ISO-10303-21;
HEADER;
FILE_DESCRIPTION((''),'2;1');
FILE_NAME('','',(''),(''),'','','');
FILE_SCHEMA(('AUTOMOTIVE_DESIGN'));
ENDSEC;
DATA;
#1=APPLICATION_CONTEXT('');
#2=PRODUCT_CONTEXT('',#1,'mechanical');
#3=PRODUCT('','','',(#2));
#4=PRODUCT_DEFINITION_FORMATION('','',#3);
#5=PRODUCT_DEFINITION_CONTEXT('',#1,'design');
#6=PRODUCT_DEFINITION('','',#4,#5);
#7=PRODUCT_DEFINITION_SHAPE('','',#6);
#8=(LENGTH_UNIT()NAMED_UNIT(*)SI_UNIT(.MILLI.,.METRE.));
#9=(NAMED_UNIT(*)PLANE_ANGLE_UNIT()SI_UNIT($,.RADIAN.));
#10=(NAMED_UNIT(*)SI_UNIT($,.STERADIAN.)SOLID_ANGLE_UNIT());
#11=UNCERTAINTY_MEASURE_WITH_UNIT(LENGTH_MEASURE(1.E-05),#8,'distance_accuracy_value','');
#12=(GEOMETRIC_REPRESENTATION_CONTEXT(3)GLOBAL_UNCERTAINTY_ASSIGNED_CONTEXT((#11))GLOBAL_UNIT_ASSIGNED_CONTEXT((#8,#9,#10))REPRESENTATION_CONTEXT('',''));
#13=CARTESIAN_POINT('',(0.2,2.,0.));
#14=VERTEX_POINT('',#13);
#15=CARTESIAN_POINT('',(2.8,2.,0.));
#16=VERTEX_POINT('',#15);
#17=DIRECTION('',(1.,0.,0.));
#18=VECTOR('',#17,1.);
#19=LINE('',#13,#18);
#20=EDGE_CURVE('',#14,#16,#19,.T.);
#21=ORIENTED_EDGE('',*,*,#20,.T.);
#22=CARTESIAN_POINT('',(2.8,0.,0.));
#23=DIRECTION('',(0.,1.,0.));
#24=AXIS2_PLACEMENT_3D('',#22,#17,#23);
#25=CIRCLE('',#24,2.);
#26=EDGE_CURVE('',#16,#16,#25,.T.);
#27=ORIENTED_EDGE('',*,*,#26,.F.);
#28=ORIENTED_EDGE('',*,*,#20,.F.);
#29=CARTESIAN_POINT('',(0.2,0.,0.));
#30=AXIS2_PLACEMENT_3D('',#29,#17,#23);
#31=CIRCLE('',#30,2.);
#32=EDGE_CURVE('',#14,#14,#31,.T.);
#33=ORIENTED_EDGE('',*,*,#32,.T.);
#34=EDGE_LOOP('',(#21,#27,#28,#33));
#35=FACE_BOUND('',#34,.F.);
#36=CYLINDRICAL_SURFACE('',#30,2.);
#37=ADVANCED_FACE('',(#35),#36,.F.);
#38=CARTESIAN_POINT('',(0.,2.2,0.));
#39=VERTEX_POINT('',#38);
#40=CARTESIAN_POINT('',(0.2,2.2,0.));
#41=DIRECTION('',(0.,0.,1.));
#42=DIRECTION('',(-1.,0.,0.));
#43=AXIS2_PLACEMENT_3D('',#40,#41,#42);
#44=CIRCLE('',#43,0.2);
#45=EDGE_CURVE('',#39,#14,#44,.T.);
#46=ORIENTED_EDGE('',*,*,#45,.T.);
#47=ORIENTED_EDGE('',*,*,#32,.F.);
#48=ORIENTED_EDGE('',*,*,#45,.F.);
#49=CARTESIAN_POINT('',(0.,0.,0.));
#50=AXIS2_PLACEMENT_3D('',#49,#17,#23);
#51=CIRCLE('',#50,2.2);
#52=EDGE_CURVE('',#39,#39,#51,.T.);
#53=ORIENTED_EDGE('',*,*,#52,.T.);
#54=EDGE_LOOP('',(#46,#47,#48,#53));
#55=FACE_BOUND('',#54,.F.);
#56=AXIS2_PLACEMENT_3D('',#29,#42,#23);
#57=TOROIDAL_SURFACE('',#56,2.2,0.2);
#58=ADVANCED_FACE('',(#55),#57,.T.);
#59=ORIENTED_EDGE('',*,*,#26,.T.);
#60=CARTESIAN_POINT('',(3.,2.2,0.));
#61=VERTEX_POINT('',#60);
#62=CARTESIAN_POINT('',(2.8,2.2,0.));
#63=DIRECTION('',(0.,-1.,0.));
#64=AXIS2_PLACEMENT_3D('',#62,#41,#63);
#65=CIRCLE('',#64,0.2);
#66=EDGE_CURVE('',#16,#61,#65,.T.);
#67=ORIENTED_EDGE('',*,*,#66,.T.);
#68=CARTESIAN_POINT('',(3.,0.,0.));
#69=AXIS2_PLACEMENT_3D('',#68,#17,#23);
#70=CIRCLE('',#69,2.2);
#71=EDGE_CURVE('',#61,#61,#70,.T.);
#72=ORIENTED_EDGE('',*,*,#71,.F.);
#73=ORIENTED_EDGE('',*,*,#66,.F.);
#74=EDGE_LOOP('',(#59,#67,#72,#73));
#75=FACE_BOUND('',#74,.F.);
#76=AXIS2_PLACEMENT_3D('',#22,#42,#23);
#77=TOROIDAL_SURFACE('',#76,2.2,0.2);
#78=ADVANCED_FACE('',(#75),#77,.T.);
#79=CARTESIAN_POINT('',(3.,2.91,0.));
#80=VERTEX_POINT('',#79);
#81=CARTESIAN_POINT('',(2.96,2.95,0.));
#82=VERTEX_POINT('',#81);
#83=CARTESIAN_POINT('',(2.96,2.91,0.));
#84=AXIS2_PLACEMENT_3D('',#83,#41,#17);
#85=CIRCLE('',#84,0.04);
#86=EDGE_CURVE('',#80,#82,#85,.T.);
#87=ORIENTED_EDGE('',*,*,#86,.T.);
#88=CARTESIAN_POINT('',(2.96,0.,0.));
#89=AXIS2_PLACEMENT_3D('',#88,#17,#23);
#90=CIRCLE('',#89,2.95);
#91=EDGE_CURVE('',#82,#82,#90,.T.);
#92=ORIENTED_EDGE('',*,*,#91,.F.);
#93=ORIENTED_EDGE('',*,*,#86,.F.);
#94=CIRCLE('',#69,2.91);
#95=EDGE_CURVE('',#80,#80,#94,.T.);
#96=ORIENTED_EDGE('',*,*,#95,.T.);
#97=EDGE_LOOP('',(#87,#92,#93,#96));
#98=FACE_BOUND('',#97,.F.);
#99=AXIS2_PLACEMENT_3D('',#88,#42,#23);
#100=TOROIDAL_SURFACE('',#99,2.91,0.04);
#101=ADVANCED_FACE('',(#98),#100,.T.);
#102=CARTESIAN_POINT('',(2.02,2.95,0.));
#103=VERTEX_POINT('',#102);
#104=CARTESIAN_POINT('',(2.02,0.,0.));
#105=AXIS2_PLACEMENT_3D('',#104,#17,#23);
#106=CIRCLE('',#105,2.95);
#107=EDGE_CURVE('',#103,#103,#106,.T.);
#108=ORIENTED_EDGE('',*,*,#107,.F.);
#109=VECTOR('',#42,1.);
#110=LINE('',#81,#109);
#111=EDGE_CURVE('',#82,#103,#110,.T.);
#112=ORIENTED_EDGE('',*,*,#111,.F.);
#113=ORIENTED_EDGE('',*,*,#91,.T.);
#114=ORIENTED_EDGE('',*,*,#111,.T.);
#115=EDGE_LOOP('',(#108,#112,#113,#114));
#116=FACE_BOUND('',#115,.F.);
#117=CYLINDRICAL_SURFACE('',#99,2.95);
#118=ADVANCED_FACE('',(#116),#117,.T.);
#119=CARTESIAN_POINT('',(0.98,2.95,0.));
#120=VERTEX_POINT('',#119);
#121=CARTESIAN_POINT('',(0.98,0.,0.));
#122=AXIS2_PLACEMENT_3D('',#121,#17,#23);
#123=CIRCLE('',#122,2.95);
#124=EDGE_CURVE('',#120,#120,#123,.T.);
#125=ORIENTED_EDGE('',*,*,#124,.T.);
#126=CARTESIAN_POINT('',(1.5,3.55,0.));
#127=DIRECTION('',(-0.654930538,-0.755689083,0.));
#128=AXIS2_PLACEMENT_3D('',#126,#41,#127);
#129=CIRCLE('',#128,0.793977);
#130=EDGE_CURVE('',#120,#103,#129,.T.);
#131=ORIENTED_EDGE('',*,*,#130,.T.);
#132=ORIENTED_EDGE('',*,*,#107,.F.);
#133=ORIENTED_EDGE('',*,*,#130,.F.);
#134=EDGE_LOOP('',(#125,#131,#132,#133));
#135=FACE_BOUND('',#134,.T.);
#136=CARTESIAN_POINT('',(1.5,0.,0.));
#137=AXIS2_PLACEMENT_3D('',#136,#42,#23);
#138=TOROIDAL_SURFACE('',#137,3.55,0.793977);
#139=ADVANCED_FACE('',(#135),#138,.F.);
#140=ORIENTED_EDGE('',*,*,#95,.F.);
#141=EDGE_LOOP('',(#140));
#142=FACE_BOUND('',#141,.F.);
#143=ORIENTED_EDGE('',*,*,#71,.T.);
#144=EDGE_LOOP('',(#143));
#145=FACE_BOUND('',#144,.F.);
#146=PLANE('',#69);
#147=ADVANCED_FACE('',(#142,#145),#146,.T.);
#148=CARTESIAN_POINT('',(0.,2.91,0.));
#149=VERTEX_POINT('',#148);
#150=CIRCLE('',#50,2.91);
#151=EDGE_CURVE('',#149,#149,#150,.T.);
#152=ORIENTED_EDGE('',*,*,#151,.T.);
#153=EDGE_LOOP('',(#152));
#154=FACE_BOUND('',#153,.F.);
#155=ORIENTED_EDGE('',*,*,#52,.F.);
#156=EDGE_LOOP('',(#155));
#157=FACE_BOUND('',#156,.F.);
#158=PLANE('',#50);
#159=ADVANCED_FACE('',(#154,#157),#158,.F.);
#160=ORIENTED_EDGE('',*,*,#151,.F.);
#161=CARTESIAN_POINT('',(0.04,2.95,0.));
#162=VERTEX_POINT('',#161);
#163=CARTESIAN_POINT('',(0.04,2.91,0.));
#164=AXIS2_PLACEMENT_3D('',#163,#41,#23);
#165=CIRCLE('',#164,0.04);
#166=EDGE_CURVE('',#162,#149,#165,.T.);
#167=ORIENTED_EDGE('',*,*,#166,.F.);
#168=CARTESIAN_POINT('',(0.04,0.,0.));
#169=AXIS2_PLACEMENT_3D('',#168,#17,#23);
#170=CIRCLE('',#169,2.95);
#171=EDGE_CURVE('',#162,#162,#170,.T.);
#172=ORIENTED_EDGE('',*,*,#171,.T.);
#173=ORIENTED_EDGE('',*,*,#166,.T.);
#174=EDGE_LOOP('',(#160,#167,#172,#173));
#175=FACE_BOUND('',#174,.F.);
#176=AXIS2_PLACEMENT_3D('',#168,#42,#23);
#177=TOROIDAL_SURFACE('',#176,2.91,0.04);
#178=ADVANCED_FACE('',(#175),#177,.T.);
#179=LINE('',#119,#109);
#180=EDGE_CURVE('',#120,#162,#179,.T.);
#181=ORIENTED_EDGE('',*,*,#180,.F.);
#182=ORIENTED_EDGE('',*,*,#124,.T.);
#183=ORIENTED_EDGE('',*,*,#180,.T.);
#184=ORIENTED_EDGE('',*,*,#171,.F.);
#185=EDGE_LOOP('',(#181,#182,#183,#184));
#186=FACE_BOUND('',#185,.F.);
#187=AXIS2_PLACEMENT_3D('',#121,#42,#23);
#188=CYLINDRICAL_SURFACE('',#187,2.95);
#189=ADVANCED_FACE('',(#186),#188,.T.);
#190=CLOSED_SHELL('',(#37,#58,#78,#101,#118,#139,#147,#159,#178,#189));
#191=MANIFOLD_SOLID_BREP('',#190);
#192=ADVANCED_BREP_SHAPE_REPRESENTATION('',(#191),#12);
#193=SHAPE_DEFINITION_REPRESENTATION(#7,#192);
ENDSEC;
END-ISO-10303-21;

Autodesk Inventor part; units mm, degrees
ref_plane "YZ Plane" through (0, 0, 0) normal (1, 0, 0) x (0, 1, 0)
ref_plane "XZ Plane" through (0, 0, 0) normal (0, 1, 0) x (-1, 0, 0)
ref_plane "XY Plane" through (0, 0, 0) normal (0, 0, 1) x (1, 0, 0)
sketch "Sketch_1" plane through (0, 0, 0) normal (0, 0, 1) x (1, 0, 0)
  line L0 (50, 0) -> (-50, 0)
  line L1 (0, 2.91) -> (0, 2.2)
  arc A0 (0, 2.2) -> (0.2, 2) centre (0.2, 2.2) ccw
  line L2 (0.2, 2) -> (2.8, 2)
  arc A1 (2.8, 2) -> (3, 2.2) centre (2.8, 2.2) ccw
  line L3 (3, 2.2) -> (3, 2.91)
  arc A2 (3, 2.91) -> (2.96, 2.95) centre (2.96, 2.91) ccw
  line L4 (2.96, 2.95) -> (2.02, 2.95)
  arc A3 (0.98, 2.95) -> (2.02, 2.95) centre (1.5, 3.55) ccw
  line L5 (0.98, 2.95) -> (0.04, 2.95)
  arc A4 (0.04, 2.95) -> (0, 2.91) centre (0.04, 2.91) ccw
revolve "Revolution1" add sketch "Sketch_1" angle 360 about axis through (50, 0, 0) along (1, 0, 0)
properties part number "W 637/4 X_PART1"
